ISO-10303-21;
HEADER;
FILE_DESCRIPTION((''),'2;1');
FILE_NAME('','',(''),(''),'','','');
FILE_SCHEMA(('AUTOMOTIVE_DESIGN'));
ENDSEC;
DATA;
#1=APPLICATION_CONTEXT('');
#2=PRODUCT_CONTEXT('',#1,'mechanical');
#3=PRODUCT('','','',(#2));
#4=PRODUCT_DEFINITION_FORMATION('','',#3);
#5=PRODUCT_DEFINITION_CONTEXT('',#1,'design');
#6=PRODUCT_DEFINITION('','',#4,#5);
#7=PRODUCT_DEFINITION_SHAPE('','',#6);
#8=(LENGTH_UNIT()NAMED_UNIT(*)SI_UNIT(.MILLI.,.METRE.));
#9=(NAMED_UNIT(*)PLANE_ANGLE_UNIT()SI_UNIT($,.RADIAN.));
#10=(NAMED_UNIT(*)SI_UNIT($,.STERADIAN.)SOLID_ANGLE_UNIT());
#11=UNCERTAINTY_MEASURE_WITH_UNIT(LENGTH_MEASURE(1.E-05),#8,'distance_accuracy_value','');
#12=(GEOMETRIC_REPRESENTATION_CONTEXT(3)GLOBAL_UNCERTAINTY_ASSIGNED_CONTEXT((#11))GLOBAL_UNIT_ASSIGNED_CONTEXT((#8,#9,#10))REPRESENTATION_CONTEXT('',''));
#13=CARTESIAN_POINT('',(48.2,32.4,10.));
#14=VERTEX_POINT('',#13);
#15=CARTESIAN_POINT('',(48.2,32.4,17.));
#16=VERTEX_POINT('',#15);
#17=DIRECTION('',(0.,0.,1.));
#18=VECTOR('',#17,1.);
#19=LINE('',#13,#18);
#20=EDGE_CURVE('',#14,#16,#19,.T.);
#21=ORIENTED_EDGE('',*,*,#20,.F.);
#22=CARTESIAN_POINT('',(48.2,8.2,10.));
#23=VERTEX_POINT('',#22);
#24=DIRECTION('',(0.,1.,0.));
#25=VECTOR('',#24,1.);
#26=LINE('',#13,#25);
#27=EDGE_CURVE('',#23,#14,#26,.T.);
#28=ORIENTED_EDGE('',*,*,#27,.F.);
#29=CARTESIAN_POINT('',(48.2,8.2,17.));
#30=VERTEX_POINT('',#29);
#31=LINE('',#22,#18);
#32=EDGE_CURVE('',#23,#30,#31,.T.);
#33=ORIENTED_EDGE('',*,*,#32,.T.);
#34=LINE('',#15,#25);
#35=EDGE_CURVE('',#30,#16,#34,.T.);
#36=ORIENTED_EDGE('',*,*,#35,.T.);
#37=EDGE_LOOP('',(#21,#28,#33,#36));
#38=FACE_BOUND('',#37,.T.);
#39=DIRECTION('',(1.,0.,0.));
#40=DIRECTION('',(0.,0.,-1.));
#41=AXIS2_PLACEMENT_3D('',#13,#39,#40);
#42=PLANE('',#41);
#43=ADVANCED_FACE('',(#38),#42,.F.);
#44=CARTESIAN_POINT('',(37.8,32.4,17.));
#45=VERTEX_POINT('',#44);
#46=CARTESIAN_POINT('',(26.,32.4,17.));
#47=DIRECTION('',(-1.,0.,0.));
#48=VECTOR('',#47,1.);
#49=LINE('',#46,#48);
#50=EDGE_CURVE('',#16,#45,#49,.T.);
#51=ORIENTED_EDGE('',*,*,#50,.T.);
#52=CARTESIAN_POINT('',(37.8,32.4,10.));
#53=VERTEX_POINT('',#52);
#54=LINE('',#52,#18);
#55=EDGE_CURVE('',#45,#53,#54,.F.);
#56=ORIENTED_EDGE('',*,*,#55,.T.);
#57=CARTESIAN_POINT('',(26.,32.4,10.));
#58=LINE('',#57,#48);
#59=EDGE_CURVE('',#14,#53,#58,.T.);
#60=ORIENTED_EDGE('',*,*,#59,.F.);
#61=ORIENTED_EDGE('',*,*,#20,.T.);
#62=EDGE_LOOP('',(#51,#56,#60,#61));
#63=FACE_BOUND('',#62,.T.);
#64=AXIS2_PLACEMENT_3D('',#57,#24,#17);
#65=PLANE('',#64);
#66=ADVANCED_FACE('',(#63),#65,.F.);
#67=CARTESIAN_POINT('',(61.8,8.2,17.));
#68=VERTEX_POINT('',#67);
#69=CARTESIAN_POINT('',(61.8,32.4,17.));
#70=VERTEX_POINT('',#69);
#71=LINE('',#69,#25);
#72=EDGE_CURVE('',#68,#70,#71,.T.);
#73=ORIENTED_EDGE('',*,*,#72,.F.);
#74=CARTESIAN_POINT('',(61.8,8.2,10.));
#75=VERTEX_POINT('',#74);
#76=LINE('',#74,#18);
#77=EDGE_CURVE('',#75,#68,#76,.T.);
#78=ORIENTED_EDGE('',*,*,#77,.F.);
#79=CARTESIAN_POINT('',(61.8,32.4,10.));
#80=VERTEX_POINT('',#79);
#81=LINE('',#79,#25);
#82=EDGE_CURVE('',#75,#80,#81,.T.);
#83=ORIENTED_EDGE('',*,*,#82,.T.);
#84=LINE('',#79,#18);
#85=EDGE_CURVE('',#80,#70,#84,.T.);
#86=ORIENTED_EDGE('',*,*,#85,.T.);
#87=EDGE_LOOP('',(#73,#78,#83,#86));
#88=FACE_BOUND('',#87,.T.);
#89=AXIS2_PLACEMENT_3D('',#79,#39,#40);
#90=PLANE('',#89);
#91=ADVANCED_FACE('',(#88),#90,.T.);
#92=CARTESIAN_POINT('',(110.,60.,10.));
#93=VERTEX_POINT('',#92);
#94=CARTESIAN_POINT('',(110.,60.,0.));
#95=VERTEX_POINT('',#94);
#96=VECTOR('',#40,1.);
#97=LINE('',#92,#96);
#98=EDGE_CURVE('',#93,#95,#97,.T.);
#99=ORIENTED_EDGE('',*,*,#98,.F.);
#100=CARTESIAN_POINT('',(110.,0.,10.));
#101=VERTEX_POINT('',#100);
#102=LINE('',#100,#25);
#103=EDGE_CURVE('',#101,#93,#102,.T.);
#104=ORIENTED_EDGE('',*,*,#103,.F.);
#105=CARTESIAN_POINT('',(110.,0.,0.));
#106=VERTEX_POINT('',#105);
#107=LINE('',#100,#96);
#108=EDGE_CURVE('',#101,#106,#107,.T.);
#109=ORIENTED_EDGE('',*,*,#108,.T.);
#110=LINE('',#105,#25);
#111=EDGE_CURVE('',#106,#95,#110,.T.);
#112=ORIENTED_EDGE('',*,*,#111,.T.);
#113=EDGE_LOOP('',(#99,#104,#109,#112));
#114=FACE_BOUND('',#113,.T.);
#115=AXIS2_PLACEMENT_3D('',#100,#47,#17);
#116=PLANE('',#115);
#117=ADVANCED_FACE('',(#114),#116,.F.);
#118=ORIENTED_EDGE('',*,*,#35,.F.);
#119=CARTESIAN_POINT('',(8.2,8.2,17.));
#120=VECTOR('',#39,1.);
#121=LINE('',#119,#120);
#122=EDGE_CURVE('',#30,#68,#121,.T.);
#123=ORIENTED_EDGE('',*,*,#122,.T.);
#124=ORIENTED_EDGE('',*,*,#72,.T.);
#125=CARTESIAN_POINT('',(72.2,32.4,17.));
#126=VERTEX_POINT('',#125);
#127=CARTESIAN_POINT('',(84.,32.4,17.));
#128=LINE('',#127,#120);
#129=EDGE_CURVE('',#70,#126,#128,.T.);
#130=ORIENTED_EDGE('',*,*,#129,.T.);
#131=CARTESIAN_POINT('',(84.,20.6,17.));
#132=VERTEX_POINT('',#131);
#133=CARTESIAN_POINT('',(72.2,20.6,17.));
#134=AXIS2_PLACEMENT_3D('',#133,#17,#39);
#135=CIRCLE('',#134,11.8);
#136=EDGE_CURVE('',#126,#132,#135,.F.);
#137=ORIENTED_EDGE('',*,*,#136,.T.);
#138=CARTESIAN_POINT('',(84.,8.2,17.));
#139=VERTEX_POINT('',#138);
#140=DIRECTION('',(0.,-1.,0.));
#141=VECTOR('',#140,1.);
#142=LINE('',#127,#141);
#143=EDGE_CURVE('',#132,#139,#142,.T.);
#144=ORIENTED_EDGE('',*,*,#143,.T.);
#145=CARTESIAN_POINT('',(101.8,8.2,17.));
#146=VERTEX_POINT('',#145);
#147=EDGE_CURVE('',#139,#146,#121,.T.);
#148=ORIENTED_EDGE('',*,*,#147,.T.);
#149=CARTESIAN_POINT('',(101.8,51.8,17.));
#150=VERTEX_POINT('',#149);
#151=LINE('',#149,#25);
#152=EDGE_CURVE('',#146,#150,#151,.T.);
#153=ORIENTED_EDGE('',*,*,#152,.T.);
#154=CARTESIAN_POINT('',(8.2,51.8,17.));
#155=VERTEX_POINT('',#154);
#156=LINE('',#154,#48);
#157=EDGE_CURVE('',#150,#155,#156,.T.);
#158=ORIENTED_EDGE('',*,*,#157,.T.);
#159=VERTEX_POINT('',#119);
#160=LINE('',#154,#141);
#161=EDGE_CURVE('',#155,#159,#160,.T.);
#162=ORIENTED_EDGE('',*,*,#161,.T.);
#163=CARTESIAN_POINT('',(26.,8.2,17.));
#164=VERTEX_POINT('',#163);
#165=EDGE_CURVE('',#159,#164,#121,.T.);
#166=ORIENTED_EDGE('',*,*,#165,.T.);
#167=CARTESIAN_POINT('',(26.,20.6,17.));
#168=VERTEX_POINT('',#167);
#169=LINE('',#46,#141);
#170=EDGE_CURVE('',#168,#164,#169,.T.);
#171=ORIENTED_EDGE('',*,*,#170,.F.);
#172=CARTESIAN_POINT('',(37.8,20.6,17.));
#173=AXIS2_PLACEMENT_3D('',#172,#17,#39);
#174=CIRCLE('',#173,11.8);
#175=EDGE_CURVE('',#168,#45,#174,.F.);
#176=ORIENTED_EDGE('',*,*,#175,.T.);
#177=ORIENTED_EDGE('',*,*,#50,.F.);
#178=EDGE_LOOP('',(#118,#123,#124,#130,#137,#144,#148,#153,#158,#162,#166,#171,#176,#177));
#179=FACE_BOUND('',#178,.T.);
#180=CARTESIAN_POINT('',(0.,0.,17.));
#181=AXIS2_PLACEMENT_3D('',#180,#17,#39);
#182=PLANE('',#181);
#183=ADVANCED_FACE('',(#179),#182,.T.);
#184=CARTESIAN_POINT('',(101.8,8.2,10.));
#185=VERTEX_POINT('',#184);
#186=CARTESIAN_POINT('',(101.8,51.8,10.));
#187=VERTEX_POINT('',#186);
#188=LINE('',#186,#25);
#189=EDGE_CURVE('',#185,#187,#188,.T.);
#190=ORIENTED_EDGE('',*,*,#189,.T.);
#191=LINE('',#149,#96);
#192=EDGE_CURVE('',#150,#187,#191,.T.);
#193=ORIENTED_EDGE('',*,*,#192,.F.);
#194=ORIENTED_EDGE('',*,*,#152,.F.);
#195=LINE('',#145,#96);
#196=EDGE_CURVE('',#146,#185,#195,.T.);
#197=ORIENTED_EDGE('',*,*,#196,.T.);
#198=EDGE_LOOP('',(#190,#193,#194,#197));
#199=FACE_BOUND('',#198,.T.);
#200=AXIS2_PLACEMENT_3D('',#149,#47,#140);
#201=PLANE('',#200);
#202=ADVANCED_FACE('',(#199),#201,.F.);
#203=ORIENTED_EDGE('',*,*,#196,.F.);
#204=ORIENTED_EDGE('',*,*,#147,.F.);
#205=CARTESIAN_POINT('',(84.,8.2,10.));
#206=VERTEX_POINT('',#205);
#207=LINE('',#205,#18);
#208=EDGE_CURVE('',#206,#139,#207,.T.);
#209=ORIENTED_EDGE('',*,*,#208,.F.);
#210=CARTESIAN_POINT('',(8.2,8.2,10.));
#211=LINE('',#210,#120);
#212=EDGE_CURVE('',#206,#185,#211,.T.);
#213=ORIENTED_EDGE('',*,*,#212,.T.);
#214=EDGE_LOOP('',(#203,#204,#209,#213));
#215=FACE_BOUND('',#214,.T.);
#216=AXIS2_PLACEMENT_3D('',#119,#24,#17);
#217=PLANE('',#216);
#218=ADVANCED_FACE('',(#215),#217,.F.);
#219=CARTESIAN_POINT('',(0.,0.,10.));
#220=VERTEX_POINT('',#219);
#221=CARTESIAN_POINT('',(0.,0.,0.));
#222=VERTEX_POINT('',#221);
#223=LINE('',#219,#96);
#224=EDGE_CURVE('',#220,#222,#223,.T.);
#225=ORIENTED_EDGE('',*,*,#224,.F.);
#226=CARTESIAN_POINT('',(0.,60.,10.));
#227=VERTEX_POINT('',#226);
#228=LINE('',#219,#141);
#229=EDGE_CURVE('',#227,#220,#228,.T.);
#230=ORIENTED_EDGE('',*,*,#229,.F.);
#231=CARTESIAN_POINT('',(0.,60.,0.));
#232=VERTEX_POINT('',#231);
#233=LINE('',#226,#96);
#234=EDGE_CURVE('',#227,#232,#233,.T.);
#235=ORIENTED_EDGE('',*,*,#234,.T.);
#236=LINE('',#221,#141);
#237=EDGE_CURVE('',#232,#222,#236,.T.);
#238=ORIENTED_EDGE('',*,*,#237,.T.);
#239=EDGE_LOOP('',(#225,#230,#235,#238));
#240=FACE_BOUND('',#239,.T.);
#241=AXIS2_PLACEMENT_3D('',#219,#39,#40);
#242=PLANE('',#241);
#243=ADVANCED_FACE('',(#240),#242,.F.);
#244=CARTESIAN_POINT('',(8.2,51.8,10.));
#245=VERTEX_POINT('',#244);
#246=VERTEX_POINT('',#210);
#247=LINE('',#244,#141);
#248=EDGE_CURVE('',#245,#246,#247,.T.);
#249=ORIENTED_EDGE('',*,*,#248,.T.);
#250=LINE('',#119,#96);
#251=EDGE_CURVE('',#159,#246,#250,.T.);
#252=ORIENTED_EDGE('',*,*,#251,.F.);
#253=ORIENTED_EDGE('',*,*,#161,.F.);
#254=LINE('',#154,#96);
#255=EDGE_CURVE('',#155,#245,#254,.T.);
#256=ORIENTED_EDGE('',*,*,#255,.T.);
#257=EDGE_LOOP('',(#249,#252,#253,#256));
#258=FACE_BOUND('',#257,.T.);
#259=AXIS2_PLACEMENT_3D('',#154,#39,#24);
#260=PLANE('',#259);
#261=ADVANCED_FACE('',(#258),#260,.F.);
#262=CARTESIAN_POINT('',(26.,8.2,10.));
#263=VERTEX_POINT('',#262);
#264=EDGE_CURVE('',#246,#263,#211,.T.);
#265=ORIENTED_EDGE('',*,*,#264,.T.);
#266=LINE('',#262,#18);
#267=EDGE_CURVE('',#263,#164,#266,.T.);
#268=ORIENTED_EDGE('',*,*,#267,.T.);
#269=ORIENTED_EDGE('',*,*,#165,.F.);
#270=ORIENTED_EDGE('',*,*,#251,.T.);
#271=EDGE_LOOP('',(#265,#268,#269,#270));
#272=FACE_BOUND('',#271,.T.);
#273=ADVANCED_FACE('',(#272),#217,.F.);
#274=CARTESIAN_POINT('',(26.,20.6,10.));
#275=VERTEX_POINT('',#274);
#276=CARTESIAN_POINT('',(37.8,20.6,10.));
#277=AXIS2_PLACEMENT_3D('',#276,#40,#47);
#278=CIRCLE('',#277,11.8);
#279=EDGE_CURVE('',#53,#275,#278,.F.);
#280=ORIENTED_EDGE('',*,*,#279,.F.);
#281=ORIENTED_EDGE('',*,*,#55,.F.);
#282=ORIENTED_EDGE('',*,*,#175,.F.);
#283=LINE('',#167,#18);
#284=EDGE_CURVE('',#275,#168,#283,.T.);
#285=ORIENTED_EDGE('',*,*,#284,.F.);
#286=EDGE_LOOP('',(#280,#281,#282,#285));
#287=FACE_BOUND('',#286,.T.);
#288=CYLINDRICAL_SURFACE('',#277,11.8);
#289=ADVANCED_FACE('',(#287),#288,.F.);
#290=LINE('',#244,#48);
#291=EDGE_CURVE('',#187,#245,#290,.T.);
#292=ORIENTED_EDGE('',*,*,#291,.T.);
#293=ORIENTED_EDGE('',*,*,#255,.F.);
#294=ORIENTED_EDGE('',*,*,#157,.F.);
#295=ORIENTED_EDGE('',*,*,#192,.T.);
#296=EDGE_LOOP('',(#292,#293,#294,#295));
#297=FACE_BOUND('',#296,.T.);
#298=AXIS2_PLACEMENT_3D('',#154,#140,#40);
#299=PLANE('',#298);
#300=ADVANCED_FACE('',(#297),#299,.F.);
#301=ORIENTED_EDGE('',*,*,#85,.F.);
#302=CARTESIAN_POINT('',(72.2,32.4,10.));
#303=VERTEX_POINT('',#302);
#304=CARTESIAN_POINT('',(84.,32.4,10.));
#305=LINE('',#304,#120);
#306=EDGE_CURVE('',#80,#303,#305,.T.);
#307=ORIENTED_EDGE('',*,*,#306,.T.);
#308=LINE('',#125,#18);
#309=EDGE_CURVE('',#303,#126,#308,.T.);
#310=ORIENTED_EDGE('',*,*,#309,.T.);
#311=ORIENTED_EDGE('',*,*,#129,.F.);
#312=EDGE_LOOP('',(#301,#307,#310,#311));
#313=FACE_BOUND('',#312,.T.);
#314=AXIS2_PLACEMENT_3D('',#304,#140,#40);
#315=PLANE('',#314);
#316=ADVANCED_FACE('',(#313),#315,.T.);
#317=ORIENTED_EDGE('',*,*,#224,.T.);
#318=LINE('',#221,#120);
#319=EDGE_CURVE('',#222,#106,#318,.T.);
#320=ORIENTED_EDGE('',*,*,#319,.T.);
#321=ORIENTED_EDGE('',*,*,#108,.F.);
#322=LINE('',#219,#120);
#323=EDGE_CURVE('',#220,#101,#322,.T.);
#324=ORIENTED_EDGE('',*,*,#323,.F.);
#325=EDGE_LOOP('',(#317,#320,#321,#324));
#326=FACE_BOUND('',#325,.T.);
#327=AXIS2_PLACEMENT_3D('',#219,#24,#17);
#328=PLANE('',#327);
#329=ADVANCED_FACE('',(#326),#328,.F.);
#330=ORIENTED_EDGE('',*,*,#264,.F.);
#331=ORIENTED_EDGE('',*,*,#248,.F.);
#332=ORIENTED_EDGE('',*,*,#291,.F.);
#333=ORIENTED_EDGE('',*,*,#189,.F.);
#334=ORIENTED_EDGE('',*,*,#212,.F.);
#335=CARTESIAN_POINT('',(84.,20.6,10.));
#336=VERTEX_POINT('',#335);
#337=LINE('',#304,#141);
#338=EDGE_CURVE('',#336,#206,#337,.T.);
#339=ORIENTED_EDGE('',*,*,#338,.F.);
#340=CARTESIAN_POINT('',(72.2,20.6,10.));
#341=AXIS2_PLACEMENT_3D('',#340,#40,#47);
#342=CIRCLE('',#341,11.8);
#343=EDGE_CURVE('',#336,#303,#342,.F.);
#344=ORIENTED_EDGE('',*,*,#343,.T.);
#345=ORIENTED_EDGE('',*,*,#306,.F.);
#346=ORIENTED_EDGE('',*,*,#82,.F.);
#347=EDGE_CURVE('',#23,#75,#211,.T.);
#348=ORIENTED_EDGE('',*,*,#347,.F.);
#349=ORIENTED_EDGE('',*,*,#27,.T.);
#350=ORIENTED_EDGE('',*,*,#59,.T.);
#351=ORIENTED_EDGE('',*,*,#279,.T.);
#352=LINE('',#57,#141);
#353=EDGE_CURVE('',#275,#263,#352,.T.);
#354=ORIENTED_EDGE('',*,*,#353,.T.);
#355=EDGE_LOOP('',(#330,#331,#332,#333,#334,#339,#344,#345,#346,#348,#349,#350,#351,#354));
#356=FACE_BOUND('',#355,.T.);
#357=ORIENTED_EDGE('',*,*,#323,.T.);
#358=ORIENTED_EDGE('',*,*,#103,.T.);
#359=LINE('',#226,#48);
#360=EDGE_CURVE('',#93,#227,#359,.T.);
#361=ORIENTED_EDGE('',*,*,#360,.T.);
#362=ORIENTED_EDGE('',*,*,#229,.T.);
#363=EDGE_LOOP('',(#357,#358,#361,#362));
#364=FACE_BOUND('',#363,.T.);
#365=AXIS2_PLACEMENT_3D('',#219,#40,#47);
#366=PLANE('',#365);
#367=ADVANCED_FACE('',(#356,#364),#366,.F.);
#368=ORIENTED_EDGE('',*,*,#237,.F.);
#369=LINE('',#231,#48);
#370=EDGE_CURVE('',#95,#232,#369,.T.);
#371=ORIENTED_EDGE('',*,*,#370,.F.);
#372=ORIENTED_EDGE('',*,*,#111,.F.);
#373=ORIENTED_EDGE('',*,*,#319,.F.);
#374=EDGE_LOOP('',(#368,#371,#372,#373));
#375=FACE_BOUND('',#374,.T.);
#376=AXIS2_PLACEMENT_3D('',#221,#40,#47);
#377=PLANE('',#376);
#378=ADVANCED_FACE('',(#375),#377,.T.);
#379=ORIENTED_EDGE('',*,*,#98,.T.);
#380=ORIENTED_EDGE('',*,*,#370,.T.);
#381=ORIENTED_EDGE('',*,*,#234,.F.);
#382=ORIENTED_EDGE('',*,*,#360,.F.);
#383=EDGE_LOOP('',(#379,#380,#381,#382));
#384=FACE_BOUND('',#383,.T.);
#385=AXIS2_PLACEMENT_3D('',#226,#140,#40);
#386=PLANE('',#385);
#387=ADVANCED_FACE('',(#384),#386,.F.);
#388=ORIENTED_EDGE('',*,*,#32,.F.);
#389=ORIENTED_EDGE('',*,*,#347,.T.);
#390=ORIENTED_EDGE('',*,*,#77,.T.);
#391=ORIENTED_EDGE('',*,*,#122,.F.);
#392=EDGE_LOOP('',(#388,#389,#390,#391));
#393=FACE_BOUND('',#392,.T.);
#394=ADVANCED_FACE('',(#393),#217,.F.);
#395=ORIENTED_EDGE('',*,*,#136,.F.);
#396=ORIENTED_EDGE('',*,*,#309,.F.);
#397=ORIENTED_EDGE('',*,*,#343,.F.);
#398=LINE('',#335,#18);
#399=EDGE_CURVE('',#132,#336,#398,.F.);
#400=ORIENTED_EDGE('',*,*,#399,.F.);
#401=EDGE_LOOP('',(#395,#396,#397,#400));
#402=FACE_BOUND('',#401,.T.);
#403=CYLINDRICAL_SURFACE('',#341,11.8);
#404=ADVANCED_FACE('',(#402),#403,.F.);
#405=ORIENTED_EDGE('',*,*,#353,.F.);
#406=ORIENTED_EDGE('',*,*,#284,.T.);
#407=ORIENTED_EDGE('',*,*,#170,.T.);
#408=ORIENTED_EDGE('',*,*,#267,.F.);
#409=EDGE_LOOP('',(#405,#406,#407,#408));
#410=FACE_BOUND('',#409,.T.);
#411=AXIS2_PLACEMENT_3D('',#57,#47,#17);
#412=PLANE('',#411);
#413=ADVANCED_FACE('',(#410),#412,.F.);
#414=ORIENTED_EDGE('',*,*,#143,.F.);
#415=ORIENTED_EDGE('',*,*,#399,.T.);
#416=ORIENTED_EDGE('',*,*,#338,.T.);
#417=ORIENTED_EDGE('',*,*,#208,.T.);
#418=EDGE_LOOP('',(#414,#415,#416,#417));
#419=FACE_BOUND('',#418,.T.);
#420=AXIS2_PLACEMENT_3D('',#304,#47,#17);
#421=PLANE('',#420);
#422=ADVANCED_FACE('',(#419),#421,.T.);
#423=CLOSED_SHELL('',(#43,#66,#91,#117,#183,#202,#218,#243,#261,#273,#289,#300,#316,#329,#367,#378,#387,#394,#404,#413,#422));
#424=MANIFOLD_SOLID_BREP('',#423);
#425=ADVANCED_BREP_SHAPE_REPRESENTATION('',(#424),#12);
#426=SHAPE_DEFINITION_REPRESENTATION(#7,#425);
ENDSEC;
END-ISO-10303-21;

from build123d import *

# Parameters (mm, degrees)
SKETCH1_W            = 110
SKETCH1_H            = 60
BOSS_EXTRUDE1_DEPTH  = 10
SKETCH3_W            = 93.6
SKETCH3_H            = 43.6
BOSS_EXTRUDE2_DEPTH  = 7
SKETCH4_W            = 22.2
SKETCH4_H            = 24.2
CUT_EXTRUDE1_DEPTH   = 7
FILLET1_R            = 11.8
FILLET1_OF_MIRROR1_R = 11.8


with BuildPart() as part:
    # Sketch1 → Boss-Extrude1 (new body)
    with BuildSketch(Plane.XY):
        with Locations((55, 30)):
            Rectangle(SKETCH1_W, SKETCH1_H)
    extrude(amount=BOSS_EXTRUDE1_DEPTH)

    # Sketch3 → Boss-Extrude2 (add)
    with BuildSketch(Plane.XY.offset(10)):
        with Locations((55, 30)):
            Rectangle(SKETCH3_W, SKETCH3_H)
    extrude(amount=BOSS_EXTRUDE2_DEPTH)

    # Sketch4 → Cut-Extrude1 (cut)
    with BuildSketch(Plane.XY.offset(17)):
        with Locations((37.1, 20.3)):
            Rectangle(SKETCH4_W, SKETCH4_H)
    cut_extrude1 = extrude(amount=-CUT_EXTRUDE1_DEPTH, mode=Mode.SUBTRACT)

    # Fillet1
    fillet1_edges = [part.edges().sort_by_distance(p)[0] for p in [
        (26, 32.4, 13.5),
    ]]
    fillet(fillet1_edges, radius=FILLET1_R)

    # Mirror1: Cut-Extrude1 across plane
    add(cut_extrude1.mirror(Plane.ZY.offset(-55)), mode=Mode.SUBTRACT)

    # Fillet1 of Mirror1
    fillet1_of_mirror1_edges = [part.edges().sort_by_distance(p)[0] for p in [
        (84, 32.4, 13.5),
    ]]
    fillet(fillet1_of_mirror1_edges, radius=FILLET1_OF_MIRROR1_R)


solid = part.part
